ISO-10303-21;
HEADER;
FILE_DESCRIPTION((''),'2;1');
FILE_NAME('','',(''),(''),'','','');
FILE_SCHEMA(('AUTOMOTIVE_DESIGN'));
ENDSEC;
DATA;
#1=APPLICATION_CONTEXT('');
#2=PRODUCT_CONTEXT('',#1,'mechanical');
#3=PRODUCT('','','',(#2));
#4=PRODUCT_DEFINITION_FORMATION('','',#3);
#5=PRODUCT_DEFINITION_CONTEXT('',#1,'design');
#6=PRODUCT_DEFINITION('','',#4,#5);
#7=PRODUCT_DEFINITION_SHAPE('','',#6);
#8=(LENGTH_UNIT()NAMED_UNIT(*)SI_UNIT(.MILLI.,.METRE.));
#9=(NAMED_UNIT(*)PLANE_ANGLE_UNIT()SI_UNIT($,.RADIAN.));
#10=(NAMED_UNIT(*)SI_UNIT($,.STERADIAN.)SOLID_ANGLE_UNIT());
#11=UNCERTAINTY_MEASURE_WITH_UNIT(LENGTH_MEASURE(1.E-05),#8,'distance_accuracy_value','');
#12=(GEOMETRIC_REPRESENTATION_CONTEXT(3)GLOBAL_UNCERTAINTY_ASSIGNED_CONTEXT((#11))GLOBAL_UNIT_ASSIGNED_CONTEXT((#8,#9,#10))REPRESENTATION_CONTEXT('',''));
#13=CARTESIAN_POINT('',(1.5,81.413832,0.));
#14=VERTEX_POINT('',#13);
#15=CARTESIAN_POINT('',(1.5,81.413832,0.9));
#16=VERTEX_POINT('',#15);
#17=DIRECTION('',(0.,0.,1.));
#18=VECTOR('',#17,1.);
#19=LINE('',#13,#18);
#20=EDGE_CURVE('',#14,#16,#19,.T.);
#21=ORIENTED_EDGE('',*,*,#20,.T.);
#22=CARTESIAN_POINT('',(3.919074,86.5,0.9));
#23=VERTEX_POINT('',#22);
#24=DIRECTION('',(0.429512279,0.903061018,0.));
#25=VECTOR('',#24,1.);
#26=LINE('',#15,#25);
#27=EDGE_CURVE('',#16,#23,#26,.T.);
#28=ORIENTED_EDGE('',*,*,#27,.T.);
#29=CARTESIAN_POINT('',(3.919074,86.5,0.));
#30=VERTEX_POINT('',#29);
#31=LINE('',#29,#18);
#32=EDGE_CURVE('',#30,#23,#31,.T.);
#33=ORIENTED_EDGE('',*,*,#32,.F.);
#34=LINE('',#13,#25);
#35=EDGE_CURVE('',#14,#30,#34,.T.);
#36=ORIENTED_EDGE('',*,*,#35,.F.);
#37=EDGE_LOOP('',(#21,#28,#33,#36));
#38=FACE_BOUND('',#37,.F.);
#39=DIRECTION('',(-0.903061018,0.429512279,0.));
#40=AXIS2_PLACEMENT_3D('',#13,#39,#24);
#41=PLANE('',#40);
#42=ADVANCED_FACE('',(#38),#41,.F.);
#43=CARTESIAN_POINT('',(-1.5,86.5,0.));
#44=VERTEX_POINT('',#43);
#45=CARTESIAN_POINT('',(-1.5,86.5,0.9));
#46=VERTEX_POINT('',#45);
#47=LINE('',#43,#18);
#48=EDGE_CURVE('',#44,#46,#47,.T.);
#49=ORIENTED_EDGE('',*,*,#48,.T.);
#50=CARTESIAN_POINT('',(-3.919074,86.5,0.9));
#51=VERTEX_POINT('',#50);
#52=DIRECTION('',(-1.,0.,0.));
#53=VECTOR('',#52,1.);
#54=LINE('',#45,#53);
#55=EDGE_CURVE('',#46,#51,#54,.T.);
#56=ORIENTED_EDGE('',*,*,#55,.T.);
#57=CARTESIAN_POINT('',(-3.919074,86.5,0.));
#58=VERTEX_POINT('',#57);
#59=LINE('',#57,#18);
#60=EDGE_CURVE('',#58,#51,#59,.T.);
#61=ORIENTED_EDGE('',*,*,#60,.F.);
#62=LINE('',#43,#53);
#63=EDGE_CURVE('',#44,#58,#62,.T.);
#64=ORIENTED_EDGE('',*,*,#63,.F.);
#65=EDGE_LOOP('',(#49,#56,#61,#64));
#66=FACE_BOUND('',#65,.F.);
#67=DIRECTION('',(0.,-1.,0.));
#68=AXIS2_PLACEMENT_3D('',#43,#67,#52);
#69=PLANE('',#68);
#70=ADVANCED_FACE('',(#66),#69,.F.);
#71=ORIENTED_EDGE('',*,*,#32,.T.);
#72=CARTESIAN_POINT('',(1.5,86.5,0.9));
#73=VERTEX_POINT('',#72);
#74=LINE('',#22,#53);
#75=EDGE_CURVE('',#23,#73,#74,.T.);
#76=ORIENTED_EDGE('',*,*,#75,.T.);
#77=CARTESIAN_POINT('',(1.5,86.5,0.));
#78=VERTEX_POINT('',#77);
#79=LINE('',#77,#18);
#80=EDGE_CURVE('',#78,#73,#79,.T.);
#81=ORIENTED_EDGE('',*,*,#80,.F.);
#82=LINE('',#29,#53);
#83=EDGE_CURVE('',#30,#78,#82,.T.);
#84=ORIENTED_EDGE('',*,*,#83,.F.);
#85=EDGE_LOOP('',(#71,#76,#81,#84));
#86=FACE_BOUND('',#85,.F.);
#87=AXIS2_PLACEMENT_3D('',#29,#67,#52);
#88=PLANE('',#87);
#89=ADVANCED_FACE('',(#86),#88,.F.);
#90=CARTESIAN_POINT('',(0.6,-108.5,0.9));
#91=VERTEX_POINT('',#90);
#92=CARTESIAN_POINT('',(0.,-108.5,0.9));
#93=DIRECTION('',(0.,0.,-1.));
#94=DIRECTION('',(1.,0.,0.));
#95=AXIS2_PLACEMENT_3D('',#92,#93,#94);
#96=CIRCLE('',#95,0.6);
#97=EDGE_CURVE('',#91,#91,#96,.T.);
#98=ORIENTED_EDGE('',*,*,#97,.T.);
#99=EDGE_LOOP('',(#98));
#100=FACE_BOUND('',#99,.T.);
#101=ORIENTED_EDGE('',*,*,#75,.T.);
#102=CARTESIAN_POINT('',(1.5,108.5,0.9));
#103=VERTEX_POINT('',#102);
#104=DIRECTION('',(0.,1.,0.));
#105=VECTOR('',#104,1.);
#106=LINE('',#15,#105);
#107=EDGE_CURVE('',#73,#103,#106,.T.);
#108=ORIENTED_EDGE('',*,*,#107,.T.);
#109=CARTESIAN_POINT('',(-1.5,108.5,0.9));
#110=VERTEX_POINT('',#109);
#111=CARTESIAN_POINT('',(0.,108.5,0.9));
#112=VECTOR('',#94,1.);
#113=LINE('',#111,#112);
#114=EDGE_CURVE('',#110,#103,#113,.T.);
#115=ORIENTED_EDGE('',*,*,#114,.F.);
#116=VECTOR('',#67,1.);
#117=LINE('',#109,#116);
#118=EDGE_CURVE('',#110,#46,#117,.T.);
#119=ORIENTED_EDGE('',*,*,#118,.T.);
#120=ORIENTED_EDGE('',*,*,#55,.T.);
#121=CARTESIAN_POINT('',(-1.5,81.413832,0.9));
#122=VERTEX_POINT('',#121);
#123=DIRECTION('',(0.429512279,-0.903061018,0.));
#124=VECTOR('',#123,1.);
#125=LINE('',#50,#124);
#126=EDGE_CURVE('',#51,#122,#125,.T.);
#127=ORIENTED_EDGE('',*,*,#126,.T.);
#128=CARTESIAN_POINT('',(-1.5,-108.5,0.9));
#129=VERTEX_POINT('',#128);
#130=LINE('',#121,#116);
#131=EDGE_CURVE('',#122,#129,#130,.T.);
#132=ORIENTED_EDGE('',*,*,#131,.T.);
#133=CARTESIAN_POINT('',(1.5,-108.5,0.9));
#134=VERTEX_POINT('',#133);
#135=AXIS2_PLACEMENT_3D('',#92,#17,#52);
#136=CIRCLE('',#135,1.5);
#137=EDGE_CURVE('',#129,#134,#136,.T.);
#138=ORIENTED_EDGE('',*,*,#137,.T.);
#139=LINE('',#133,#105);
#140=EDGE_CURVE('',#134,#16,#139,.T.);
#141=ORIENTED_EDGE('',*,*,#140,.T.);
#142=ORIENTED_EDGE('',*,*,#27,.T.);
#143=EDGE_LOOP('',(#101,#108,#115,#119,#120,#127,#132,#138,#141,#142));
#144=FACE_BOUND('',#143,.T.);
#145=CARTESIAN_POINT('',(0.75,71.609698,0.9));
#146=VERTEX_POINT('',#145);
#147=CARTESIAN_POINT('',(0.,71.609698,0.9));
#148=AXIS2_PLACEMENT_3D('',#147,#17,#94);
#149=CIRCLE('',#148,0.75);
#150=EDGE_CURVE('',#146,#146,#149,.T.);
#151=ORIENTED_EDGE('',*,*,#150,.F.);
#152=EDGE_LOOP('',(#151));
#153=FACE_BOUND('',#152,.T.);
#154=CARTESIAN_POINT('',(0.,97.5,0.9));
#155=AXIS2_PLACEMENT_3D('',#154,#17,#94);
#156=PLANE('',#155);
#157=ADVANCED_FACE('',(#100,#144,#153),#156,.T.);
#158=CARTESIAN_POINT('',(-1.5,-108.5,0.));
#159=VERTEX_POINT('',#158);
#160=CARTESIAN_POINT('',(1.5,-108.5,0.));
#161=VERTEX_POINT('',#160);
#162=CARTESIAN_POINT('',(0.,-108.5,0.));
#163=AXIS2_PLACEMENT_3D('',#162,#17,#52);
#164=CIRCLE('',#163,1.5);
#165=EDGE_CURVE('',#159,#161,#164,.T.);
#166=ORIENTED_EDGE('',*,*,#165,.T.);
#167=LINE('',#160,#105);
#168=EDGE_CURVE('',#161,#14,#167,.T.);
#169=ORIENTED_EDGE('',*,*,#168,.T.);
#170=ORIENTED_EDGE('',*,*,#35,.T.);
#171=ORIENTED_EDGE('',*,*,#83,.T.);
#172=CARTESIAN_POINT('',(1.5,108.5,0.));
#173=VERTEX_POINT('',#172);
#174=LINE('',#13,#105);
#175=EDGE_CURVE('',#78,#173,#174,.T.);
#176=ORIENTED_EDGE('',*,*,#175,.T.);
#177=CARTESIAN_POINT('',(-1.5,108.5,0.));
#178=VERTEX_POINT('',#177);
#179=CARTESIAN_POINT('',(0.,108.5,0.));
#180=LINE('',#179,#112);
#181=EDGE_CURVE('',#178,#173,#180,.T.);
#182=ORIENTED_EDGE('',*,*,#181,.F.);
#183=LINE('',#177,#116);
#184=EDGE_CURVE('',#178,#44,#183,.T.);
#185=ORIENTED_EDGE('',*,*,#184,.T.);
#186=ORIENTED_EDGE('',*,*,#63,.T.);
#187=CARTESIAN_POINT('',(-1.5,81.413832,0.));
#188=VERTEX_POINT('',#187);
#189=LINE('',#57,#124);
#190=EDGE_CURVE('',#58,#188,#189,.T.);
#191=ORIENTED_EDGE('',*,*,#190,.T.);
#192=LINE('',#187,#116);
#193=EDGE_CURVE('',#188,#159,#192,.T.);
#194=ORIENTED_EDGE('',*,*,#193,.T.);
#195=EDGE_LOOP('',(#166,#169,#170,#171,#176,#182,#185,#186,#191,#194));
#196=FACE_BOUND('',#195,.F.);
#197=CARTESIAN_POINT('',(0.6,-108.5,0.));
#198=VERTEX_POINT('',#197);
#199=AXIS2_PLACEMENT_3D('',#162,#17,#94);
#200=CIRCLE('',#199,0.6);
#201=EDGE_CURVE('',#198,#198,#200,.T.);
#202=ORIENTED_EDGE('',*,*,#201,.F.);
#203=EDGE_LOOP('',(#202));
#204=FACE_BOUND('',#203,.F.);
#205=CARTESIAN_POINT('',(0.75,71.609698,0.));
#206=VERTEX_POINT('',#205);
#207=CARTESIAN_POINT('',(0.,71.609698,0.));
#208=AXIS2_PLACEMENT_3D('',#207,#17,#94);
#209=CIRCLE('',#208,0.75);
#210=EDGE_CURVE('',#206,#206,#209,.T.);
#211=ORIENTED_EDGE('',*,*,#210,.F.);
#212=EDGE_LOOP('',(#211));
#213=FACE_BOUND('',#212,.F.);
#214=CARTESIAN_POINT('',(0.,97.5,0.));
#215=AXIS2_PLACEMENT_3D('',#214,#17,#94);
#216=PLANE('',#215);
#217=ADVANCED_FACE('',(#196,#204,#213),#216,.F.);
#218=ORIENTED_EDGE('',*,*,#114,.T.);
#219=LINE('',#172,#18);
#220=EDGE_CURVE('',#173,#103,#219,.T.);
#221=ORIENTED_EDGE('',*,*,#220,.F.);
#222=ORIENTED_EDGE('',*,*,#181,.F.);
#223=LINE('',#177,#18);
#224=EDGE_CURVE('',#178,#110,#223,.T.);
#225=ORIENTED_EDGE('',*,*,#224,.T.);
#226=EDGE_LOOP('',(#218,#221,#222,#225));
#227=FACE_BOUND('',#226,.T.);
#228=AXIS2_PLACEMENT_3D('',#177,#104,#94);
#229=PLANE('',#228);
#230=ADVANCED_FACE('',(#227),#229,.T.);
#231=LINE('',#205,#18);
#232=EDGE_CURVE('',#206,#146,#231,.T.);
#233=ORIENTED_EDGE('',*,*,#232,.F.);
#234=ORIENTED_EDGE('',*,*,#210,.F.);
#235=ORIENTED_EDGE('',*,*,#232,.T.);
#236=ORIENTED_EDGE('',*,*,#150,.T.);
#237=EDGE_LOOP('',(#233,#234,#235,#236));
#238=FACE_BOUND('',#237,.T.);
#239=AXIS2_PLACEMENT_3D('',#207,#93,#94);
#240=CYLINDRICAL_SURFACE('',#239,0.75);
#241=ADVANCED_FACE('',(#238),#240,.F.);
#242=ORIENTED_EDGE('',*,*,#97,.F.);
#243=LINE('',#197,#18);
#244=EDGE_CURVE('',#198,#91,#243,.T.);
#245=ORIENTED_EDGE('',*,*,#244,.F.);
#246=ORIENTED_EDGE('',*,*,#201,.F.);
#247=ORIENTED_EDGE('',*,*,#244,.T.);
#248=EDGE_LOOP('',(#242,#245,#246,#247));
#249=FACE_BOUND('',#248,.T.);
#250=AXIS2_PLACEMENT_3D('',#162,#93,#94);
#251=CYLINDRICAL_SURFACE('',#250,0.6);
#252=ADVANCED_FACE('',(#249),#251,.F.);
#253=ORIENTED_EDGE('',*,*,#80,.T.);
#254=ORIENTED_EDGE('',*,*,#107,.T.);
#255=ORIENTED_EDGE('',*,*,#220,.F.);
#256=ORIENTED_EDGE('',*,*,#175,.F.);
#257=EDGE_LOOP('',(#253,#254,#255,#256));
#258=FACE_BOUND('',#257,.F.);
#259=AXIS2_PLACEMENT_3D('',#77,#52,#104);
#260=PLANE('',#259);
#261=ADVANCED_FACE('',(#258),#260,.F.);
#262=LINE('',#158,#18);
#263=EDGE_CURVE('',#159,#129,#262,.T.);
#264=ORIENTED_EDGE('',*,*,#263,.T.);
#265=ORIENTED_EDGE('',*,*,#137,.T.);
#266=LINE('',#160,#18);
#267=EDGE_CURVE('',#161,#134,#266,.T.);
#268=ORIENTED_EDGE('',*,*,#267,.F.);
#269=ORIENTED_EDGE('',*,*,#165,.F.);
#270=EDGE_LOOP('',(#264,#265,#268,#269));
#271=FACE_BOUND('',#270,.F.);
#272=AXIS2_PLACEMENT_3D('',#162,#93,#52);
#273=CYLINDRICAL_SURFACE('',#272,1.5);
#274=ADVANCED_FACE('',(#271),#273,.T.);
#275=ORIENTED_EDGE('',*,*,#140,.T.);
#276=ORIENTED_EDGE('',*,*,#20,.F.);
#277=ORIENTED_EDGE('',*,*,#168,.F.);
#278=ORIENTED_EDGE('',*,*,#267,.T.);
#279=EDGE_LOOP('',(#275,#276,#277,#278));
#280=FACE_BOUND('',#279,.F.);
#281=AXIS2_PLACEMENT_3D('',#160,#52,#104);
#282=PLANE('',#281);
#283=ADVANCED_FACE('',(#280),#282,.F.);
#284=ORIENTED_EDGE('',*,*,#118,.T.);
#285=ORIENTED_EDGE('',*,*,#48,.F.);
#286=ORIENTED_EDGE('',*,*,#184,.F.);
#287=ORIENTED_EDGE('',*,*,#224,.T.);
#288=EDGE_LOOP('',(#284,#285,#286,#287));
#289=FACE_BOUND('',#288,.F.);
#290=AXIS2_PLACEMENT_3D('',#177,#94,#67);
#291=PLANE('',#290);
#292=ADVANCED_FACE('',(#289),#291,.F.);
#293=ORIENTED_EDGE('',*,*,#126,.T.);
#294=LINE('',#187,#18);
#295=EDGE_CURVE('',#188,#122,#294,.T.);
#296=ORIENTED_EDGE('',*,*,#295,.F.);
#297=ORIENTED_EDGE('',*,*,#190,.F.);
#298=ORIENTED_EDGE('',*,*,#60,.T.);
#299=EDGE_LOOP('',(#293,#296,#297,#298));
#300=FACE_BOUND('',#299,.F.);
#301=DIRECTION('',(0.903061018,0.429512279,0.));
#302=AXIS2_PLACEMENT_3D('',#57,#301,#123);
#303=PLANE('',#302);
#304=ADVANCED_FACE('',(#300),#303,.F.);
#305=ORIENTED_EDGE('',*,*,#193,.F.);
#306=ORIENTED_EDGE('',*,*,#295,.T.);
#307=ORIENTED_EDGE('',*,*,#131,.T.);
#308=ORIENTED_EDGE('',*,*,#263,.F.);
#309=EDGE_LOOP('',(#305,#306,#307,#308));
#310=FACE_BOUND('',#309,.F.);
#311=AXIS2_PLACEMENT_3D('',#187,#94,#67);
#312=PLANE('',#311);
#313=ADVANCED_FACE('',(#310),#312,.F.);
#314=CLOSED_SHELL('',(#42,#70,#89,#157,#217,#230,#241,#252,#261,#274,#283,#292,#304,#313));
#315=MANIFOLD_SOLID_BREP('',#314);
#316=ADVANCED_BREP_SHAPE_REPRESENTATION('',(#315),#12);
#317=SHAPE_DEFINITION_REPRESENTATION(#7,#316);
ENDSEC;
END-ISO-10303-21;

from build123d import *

# Parameters (mm, degrees)
F0_W     = 3
F0_H     = 22
F0_R     = 0.75
F1_DEPTH = 0.9
F2_R     = 0.6
F3_DEPTH = 0.901


with BuildPart() as f1:
    # F0 (on Top) → F1 (new body)
    with BuildSketch(Plane.XY):
        with Locations((0, 97.5)):
            Rectangle(F0_W, F0_H)
        Polygon((1.5, 86.5), (-1.5, 86.5), (-1.5, 81.4138317647), (0, 78.2600417733), (1.5, 81.4138317647), align=None)
        Polygon((-1.5, 81.4138317647), (-1.5, 86.5), (-3.9190743119, 86.5), align=None)
        Polygon((3.9190743119, 86.5), (1.5, 86.5), (1.5, 81.4138317647), align=None)
        with BuildLine():
            Line((0, 78.2600417733), (-1.5, 81.4138317647))
            Line((-1.5, 81.4138317647), (-1.5, -108.5))
            ThreePointArc((-1.5, -108.5), (0, -107), (1.5, -108.5))
            Line((1.5, -108.5), (1.5, 81.4138317647))
            Line((1.5, 81.4138317647), (0, 78.2600417733))
        make_face()
        with Locations((0, 71.609698236)):
            Circle(F0_R, mode=Mode.SUBTRACT)
        with BuildLine():
            ThreePointArc((1.5, -108.5), (0, -107), (-1.5, -108.5))
            ThreePointArc((-1.5, -108.5), (0, -110), (1.5, -108.5))
        make_face()
    extrude(amount=F1_DEPTH)

    # F2 (on Top) → F3 (cut, through all)
    with BuildSketch(Plane.XY):
        with Locations((0, -108.5)):
            Circle(F2_R)
    extrude(amount=F3_DEPTH, mode=Mode.SUBTRACT)


solid = f1.part
